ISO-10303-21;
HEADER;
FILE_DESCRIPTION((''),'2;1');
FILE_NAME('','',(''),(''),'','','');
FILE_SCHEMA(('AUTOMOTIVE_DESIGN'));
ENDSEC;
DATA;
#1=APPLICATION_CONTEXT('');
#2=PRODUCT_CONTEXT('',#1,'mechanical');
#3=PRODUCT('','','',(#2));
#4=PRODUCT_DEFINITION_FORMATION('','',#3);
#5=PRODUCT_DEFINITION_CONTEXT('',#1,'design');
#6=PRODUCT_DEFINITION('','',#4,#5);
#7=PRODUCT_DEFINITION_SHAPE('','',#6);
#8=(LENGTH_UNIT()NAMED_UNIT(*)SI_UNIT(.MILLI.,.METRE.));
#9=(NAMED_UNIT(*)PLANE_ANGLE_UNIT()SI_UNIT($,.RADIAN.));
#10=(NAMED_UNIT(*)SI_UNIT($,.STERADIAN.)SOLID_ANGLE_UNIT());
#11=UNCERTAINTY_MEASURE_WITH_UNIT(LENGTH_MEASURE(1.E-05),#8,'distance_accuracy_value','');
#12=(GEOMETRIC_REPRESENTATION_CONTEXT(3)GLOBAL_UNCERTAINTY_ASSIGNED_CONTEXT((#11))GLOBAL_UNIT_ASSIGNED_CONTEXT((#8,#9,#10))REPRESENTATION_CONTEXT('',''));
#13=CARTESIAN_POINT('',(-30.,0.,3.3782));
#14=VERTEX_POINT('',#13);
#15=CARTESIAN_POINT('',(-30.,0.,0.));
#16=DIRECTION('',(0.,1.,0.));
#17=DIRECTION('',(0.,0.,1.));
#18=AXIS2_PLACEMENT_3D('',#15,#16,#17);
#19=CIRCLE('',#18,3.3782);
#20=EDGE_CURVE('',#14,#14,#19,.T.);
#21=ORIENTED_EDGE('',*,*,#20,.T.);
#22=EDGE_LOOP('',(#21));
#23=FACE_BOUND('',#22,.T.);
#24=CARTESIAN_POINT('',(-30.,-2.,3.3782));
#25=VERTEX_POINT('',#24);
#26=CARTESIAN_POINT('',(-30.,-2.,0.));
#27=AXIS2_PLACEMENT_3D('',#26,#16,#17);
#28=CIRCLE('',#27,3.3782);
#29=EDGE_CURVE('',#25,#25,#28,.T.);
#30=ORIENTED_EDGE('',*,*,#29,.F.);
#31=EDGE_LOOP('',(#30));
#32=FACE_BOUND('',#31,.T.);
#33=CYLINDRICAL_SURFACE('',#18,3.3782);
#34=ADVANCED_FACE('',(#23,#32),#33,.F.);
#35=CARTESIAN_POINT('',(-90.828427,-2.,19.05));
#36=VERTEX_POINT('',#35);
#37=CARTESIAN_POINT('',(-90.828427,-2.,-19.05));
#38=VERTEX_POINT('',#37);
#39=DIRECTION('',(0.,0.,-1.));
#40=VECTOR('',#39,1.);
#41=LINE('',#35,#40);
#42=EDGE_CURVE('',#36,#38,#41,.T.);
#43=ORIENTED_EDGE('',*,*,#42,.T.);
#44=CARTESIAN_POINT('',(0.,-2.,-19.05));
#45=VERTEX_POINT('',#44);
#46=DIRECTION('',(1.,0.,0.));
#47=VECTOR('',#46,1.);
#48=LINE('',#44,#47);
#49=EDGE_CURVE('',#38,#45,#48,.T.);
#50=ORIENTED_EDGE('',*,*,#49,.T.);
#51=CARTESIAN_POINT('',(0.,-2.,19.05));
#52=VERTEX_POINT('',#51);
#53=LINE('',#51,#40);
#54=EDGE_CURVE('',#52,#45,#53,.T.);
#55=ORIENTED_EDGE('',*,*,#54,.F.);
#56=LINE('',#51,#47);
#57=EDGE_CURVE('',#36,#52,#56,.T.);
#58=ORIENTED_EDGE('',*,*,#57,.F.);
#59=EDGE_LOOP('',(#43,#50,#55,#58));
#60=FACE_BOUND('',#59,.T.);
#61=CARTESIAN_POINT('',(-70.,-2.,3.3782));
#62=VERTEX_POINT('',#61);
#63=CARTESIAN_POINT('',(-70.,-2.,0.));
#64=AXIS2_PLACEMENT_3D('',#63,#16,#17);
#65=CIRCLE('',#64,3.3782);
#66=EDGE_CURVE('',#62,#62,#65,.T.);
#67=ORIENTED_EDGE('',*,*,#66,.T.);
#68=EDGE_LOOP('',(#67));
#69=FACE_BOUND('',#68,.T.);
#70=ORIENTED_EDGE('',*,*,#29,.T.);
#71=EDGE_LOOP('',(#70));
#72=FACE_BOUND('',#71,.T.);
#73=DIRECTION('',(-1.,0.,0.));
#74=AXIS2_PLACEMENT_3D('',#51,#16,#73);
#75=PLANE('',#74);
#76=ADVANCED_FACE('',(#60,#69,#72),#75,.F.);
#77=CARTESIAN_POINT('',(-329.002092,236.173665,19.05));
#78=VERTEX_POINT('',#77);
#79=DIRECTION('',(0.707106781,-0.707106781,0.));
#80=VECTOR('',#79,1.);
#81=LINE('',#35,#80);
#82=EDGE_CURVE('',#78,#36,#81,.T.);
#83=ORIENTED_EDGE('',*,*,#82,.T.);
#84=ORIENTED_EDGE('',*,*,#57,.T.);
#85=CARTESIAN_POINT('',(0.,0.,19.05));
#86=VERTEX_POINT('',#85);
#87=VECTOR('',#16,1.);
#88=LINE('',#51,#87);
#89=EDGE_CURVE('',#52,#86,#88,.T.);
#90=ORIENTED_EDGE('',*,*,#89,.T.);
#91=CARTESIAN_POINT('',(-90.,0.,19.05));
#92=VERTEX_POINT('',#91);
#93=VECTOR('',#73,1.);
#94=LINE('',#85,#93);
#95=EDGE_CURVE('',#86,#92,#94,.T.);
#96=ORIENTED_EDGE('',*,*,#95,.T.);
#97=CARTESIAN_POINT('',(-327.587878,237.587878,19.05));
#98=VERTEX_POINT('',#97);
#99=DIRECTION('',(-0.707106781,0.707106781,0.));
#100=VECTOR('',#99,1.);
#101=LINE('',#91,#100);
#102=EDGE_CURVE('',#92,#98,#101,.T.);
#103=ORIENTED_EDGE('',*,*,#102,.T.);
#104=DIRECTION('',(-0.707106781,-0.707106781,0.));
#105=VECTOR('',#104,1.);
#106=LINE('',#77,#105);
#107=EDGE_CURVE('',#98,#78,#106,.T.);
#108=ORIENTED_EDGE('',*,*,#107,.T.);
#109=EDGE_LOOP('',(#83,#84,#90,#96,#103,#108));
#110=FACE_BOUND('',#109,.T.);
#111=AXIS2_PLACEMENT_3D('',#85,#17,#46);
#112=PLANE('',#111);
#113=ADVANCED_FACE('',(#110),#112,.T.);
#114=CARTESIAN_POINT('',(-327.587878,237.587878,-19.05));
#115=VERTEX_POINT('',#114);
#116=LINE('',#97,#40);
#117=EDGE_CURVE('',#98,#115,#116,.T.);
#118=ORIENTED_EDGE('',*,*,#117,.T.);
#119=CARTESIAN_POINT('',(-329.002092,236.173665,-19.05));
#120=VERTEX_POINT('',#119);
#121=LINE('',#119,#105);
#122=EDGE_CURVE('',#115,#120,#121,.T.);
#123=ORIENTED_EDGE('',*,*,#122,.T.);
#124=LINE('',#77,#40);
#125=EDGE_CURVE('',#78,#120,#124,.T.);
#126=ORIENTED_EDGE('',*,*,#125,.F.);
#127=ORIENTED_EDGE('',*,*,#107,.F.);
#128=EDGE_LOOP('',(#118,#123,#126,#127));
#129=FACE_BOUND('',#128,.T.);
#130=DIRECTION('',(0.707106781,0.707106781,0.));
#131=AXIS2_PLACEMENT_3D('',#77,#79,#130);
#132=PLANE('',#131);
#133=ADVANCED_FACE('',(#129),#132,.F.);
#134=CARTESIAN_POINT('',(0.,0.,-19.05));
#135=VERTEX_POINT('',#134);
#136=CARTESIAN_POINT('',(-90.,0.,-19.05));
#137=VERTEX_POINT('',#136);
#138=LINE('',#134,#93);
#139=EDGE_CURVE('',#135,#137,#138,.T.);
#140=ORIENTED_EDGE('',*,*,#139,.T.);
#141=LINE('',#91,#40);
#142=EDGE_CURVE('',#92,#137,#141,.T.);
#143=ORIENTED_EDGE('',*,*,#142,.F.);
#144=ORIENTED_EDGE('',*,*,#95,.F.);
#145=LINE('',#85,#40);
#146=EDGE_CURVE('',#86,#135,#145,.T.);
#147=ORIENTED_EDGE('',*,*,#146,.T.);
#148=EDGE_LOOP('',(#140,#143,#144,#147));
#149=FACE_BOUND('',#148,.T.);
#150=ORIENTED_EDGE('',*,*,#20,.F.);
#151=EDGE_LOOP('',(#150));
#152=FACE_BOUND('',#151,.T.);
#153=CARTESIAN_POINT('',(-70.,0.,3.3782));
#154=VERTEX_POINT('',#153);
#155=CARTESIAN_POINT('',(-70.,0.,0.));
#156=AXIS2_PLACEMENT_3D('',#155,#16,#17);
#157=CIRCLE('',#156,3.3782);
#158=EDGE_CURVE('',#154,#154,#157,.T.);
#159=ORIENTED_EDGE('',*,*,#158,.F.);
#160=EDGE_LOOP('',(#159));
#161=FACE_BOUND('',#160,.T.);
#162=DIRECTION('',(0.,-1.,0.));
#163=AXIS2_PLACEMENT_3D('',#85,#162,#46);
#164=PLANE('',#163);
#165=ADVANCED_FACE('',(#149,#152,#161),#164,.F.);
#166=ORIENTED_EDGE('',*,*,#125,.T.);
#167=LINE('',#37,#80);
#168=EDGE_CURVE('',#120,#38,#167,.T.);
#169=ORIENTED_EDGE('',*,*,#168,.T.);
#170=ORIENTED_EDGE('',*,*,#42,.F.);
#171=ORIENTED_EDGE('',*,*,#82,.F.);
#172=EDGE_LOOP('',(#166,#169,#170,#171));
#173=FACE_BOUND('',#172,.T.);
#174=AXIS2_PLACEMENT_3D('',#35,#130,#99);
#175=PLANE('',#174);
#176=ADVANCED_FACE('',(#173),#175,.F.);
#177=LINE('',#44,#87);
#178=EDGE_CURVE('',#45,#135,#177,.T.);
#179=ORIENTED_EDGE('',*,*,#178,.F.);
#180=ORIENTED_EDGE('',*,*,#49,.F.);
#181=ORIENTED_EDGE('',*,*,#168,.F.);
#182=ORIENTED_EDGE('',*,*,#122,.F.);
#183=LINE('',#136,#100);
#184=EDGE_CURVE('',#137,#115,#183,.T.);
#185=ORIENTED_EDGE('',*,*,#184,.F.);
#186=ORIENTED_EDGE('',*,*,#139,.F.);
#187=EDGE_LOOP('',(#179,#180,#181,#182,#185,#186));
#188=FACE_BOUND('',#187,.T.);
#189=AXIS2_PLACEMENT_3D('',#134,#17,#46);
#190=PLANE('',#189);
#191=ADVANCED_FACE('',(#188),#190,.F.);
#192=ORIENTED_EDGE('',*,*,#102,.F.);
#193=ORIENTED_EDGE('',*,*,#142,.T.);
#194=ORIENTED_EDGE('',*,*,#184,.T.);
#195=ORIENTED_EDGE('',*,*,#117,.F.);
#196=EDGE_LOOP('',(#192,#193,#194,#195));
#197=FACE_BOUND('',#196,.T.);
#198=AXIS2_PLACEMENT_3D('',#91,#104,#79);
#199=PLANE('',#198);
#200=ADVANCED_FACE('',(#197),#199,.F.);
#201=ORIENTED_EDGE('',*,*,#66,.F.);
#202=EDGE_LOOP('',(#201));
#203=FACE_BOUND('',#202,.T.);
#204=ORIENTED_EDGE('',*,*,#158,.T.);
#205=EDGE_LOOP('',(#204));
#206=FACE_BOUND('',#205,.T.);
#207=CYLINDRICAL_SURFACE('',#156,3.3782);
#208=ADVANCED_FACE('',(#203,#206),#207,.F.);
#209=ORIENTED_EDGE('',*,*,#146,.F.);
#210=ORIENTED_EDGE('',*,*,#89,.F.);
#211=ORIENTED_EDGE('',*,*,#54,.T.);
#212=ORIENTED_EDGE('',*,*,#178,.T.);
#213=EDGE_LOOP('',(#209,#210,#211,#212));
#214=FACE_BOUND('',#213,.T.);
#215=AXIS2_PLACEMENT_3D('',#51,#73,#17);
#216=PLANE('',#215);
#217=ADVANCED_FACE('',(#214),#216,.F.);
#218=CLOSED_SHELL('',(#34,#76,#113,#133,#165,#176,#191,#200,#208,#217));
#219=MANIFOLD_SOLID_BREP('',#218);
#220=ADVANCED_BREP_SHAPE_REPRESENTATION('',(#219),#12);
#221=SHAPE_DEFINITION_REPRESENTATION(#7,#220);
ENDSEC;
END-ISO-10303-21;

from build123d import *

# Parameters (mm, degrees)
SALIENTE_EXTRUIR1_DEPTH       = 19.05
TALADRO_DE_MARGEN_PARA_1_41_D = 6.7564


with BuildPart() as part:
    # Croquis1 → Saliente-Extruir1 (new, symmetric)
    with BuildSketch(Plane.XY):
        Polygon((0, 0), (-90, 0), (-327.587878479, 237.587878479), (-329.002092041, 236.173664916), (-90.828427125, -2), (0, -2), align=None)
    extrude(amount=SALIENTE_EXTRUIR1_DEPTH, both=True)

    # Taladro de margen para 1/41 (through all)
    with Locations(Plane(origin=(-70, 0, 0), x_dir=(1, 0, 0), z_dir=(0, 1, 0))):
        with Locations((0, 0), (40, 0)):
            Hole(TALADRO_DE_MARGEN_PARA_1_41_D / 2)


solid = part.part
